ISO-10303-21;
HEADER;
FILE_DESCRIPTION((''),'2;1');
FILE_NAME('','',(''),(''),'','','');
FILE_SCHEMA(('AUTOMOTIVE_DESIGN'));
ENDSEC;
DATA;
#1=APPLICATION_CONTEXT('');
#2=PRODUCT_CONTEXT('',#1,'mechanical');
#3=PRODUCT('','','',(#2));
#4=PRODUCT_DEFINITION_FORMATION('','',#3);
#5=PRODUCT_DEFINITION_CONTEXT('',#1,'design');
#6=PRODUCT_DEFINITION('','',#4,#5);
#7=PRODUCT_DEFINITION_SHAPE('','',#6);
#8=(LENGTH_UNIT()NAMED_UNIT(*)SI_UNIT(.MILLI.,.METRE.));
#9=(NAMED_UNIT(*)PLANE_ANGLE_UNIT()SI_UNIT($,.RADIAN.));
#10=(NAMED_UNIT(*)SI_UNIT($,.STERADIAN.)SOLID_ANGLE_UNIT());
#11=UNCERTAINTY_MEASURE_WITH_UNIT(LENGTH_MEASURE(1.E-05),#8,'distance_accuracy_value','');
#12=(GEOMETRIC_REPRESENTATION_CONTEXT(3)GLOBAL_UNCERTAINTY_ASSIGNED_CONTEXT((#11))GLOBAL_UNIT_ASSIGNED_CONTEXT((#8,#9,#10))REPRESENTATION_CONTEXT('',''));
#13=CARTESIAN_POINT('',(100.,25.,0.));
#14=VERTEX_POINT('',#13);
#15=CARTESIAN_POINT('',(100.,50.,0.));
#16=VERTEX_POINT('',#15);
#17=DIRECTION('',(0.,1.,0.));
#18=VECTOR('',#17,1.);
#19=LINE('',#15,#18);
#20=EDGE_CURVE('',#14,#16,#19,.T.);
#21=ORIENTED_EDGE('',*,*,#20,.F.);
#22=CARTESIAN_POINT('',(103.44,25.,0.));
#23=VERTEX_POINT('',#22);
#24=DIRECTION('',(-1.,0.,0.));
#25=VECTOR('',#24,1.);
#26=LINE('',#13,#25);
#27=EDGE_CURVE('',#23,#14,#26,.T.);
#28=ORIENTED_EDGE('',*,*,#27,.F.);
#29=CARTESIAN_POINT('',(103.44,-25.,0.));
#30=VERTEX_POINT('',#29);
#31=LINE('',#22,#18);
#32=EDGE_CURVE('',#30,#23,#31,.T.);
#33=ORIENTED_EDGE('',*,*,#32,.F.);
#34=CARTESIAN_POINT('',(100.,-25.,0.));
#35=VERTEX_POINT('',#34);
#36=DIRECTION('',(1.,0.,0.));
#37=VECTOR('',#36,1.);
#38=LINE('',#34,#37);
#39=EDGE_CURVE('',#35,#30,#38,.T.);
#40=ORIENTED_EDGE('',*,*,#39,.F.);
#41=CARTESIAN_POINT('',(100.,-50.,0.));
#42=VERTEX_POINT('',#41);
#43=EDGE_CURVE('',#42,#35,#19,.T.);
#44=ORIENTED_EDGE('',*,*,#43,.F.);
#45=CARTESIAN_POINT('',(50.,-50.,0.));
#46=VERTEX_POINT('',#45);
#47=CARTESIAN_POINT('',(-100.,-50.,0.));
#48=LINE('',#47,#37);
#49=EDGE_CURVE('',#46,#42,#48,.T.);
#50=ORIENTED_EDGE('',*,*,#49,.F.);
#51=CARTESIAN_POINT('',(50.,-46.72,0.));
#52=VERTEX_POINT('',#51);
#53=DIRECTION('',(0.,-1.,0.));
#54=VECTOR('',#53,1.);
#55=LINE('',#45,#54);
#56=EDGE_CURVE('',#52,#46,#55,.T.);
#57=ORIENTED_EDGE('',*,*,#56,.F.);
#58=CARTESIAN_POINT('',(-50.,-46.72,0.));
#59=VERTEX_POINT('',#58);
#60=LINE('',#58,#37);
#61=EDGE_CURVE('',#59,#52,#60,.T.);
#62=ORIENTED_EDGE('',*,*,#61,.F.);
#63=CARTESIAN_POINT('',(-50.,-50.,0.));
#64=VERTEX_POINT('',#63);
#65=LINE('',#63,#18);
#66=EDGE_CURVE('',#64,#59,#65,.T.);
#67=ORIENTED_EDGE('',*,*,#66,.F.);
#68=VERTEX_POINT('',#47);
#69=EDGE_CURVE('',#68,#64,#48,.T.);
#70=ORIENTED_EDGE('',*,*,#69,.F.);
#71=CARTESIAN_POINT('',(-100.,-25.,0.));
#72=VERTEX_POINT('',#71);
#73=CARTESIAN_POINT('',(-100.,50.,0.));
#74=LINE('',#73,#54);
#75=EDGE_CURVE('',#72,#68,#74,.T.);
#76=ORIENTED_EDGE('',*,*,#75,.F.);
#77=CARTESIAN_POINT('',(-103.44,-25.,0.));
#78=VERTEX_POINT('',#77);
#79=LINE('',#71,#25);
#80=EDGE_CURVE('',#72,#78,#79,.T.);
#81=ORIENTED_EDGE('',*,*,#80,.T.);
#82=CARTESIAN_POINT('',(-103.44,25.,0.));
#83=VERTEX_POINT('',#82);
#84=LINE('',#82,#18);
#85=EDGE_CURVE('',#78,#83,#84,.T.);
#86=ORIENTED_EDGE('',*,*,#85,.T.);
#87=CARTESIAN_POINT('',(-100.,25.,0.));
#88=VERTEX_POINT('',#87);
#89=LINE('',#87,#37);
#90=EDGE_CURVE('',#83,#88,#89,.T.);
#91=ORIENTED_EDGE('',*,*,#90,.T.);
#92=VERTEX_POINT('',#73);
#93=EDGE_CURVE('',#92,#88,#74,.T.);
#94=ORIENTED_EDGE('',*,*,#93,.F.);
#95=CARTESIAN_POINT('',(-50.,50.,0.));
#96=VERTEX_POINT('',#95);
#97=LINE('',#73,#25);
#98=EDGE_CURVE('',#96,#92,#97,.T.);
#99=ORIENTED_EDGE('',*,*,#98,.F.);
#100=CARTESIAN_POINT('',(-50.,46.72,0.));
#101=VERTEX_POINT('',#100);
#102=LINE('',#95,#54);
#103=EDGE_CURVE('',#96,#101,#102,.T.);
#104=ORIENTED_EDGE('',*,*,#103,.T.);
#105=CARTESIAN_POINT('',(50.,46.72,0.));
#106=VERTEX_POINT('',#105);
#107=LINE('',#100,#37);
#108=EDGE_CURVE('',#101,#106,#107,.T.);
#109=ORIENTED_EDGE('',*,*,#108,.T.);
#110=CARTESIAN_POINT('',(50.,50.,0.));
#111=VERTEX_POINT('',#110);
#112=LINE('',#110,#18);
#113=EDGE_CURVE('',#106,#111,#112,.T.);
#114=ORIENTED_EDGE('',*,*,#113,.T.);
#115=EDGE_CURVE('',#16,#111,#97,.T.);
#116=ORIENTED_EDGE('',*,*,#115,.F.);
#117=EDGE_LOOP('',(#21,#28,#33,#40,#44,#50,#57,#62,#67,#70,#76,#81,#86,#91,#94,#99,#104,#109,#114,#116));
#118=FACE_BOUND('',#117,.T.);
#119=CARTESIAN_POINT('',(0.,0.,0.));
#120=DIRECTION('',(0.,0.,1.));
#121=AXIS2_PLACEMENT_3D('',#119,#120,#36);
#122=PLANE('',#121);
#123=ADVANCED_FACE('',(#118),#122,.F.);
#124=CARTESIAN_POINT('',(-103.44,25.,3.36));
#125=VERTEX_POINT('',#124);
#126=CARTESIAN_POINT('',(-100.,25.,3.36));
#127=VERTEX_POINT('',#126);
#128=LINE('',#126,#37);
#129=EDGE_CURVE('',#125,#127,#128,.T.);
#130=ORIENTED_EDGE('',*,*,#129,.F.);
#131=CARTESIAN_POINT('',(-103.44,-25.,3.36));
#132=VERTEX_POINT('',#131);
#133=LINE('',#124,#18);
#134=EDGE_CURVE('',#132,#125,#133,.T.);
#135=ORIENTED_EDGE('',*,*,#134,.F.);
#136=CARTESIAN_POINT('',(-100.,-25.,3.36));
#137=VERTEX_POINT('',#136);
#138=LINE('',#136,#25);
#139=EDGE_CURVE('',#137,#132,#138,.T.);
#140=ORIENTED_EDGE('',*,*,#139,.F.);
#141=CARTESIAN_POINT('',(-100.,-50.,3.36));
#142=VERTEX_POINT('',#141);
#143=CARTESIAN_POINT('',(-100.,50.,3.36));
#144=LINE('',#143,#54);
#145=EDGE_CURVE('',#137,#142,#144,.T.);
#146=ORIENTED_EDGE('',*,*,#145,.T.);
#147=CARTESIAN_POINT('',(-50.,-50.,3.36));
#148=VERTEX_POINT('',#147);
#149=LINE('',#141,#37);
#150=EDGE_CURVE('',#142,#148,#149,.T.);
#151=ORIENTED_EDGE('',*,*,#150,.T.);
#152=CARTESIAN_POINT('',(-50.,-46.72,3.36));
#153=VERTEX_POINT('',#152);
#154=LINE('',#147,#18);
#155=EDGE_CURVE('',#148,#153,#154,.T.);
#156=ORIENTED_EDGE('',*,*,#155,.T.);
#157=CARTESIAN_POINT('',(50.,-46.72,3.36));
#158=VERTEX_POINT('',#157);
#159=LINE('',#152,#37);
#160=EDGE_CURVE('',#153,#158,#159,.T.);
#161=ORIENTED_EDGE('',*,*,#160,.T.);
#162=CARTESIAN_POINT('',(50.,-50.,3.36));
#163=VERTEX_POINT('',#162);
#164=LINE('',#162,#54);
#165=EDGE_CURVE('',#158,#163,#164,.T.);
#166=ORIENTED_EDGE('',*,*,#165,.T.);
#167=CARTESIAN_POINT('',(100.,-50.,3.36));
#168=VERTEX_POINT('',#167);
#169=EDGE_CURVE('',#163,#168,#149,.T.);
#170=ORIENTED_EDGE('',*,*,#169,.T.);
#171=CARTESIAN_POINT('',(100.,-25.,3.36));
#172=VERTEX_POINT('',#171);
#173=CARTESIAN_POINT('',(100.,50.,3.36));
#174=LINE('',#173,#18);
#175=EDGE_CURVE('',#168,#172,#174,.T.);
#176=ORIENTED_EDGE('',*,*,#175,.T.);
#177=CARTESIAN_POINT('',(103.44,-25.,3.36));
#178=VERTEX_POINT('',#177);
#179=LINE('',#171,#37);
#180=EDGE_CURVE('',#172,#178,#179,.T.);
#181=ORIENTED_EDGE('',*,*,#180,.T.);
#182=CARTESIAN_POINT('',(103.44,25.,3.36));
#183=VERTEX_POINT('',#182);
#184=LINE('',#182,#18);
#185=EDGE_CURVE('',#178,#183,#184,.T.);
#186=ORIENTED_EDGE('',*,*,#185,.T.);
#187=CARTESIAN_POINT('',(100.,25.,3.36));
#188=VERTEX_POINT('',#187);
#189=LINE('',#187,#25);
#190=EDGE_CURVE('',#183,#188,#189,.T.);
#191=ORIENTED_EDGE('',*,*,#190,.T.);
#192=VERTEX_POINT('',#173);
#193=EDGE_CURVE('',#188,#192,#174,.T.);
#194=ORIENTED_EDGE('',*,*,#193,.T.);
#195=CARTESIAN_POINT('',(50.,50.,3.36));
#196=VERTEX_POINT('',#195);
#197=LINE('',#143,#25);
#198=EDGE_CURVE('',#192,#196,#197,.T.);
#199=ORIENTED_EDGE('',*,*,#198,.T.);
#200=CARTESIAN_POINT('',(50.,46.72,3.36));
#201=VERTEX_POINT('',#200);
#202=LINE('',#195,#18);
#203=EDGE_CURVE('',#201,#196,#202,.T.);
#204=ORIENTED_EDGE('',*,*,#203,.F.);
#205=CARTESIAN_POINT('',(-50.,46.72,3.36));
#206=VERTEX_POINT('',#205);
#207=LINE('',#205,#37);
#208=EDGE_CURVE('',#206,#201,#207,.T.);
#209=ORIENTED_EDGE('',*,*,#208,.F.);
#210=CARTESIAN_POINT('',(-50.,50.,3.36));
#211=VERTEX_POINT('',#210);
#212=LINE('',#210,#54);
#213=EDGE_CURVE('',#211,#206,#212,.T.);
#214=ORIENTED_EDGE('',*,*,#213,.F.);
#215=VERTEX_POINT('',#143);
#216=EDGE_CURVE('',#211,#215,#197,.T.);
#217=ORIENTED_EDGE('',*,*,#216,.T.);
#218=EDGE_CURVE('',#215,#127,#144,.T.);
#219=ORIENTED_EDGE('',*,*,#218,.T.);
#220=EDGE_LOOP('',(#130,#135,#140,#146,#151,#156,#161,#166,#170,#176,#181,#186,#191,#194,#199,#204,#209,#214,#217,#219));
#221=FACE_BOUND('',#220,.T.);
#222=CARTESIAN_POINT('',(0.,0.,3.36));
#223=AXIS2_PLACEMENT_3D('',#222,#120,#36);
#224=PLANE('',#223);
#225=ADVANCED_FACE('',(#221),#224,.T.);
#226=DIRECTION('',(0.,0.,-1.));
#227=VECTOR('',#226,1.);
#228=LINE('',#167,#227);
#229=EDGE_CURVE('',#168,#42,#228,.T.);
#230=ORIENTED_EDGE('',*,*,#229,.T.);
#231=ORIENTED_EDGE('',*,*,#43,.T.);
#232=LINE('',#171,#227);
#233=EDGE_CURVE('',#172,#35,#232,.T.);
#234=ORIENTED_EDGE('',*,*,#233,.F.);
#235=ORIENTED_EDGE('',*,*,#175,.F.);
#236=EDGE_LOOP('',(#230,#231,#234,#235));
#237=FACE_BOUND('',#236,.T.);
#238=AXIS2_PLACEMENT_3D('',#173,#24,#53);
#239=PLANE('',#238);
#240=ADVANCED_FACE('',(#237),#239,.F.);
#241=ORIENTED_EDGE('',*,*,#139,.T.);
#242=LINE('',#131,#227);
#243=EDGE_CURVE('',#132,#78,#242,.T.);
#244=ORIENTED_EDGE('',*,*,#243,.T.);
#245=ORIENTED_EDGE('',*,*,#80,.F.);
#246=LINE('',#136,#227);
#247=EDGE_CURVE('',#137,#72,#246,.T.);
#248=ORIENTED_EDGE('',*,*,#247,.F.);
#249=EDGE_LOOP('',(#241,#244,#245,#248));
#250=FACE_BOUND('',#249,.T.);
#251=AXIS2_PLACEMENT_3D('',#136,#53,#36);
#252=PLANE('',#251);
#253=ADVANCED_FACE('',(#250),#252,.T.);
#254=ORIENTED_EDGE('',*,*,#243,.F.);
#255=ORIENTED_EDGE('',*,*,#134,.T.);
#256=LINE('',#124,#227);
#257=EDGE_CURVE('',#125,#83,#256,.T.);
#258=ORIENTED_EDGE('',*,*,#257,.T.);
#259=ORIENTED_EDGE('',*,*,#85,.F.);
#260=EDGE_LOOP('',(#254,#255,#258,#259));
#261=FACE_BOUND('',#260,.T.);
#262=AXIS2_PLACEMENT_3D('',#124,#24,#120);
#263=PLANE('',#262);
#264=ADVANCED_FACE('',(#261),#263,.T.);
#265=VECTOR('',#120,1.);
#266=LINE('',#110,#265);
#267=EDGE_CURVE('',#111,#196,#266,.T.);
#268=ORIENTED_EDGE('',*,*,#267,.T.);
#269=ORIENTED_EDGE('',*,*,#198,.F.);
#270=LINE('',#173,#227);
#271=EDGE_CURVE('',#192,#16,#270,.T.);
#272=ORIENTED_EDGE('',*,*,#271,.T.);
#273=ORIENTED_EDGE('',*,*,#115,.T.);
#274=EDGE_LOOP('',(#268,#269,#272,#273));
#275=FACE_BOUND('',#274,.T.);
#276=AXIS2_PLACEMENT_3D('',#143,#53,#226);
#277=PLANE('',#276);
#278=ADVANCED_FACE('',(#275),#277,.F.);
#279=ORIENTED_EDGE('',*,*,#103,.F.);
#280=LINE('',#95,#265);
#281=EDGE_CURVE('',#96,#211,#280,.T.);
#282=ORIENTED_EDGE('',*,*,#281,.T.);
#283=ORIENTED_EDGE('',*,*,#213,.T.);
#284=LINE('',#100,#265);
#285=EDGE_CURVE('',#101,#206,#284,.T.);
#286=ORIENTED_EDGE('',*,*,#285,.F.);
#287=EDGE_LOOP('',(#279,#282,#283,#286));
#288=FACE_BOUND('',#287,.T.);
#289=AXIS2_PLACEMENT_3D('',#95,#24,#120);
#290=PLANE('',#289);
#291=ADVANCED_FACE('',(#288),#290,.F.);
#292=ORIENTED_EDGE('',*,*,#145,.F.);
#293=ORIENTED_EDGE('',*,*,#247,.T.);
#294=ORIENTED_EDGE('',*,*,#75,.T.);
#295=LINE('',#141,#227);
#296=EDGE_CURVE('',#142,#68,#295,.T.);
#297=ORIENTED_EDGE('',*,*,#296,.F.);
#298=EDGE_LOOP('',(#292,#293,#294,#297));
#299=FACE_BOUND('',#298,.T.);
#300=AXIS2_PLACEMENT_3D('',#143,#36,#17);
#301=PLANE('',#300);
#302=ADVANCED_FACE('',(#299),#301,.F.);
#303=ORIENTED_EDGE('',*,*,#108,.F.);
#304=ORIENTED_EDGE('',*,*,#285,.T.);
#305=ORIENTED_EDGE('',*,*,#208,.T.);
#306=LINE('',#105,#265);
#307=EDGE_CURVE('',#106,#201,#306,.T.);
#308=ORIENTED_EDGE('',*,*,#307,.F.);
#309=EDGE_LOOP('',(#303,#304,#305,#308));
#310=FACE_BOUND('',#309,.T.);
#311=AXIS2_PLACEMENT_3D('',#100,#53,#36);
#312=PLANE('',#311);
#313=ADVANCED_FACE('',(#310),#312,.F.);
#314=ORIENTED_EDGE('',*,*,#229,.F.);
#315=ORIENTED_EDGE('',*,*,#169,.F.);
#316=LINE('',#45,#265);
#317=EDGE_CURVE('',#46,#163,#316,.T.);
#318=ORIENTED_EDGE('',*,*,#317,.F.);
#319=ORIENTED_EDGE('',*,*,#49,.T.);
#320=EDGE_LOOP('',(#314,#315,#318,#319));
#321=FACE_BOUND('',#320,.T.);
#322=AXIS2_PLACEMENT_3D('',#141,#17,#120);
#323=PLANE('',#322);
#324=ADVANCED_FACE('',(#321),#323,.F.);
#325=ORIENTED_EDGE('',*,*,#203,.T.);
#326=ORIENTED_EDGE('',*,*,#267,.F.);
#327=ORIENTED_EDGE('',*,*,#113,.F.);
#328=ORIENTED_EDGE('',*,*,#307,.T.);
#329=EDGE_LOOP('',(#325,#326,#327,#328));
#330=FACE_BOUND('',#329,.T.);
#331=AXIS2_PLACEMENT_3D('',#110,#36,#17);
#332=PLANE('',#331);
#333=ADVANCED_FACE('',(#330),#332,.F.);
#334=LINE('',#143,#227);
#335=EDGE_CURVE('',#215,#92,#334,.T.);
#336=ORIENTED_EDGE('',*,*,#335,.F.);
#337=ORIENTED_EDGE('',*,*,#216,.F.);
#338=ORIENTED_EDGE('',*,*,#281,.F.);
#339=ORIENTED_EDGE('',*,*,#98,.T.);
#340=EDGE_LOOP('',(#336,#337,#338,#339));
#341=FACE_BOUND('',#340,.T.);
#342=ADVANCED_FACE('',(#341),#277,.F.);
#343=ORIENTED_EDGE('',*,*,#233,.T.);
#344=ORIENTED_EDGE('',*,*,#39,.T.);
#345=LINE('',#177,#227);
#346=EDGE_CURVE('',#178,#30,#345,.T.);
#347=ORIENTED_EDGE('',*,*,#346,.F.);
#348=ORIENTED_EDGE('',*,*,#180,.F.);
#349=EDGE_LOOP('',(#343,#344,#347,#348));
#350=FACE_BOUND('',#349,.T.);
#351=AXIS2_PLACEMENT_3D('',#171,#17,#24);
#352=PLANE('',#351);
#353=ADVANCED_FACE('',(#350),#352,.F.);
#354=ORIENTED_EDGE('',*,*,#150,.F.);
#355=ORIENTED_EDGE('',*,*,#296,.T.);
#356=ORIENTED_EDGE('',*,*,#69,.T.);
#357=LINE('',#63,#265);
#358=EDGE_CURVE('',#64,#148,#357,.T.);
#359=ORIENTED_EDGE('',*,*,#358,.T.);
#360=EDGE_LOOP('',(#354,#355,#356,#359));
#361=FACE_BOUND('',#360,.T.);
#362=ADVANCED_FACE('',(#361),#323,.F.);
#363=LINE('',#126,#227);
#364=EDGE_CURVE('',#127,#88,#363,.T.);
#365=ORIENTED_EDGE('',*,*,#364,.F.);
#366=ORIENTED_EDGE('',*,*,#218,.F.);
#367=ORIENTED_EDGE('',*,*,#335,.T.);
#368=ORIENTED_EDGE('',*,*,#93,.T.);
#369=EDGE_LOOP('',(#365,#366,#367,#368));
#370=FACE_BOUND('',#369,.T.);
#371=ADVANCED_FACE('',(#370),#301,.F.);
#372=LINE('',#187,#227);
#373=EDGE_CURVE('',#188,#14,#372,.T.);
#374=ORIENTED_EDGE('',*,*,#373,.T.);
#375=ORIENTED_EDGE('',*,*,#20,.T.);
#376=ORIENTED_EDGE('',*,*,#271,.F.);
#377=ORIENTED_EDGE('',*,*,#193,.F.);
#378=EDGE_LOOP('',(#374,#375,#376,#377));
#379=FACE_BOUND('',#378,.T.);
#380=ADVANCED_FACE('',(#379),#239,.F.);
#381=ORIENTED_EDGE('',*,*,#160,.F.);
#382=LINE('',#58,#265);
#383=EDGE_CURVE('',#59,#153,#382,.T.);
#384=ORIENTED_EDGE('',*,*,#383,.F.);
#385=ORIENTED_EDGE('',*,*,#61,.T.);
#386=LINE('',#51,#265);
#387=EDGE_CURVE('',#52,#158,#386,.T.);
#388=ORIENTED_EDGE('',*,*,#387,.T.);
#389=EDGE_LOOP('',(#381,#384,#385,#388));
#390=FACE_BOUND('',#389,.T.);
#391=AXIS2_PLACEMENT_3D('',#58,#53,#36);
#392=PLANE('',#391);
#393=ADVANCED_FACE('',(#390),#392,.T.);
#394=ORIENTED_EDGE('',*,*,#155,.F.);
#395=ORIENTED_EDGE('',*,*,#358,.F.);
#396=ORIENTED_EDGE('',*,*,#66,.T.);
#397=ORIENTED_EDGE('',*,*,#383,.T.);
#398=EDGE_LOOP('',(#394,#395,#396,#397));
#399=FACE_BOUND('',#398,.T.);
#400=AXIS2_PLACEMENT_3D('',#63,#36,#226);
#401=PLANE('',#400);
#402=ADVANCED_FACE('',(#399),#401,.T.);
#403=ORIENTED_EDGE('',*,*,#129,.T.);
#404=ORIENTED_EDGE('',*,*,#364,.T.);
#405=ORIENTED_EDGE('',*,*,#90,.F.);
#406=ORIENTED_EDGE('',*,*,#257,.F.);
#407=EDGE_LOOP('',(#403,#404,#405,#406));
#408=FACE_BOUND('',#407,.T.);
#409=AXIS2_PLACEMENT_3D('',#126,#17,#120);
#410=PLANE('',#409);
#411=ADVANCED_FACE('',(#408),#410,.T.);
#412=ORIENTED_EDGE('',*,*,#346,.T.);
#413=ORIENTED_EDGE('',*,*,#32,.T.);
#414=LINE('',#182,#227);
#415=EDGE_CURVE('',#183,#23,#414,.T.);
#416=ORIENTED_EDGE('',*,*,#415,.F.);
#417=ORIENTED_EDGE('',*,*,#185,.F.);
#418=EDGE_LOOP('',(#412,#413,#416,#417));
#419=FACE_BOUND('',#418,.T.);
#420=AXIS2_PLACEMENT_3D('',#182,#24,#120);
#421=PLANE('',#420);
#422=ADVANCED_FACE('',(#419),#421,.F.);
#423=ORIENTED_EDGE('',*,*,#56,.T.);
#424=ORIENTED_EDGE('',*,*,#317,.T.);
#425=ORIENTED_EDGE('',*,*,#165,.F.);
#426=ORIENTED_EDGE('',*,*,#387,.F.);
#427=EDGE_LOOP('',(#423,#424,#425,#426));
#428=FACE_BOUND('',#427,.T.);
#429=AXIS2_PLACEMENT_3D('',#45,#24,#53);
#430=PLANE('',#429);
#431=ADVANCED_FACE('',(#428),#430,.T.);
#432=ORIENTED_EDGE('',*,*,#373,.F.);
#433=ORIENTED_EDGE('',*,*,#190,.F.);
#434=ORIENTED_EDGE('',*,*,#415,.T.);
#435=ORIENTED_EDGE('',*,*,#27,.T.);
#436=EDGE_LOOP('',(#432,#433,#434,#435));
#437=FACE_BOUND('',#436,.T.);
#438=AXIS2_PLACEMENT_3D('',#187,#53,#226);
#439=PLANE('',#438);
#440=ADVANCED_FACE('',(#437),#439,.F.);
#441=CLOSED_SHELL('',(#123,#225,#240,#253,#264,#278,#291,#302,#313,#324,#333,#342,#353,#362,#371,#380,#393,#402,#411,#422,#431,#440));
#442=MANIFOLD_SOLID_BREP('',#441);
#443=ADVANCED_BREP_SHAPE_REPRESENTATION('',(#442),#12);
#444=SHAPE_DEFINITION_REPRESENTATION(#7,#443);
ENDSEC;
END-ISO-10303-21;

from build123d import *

# Parameters (mm, degrees)
SKETCH1_W           = 200
SKETCH1_H           = 100
BOSS_EXTRUDE1_DEPTH = 3.36
SKETCH9_W           = 3.44
SKETCH9_H           = 50
BOSS_EXTRUDE5_DEPTH = 3.36
SKETCH10_W          = 100
SKETCH10_H          = 3.28
CUT_EXTRUDE1_DEPTH  = 3.36


with BuildPart() as part:
    # Sketch1 → Boss-Extrude1 (new body)
    with BuildSketch(Plane.XY):
        Rectangle(SKETCH1_W, SKETCH1_H)
    extrude(amount=BOSS_EXTRUDE1_DEPTH)

    # Sketch9 → Boss-Extrude5 (add)
    with BuildSketch(Plane(origin=(0, 0, 0), x_dir=(-1, 0, 0), z_dir=(0, 0, -1))):
        with Locations((101.72, 0)):
            Rectangle(SKETCH9_W, SKETCH9_H)
    boss_extrude5 = extrude(amount=-BOSS_EXTRUDE5_DEPTH)

    # Mirror5: Boss-Extrude5 across plane
    add(boss_extrude5.mirror(Plane(origin=(0, 0, 0), x_dir=(0, 0, 1), z_dir=(1, 0, 0))))

    # Sketch10 → Cut-Extrude1 (cut)
    with BuildSketch(Plane.XY.offset(3.36)):
        with Locations((0, 48.36)):
            Rectangle(SKETCH10_W, SKETCH10_H)
    cut_extrude1 = extrude(amount=-CUT_EXTRUDE1_DEPTH, mode=Mode.SUBTRACT)

    # Mirror6: Cut-Extrude1 across plane
    add(cut_extrude1.mirror(Plane.ZX), mode=Mode.SUBTRACT)


solid = part.part
